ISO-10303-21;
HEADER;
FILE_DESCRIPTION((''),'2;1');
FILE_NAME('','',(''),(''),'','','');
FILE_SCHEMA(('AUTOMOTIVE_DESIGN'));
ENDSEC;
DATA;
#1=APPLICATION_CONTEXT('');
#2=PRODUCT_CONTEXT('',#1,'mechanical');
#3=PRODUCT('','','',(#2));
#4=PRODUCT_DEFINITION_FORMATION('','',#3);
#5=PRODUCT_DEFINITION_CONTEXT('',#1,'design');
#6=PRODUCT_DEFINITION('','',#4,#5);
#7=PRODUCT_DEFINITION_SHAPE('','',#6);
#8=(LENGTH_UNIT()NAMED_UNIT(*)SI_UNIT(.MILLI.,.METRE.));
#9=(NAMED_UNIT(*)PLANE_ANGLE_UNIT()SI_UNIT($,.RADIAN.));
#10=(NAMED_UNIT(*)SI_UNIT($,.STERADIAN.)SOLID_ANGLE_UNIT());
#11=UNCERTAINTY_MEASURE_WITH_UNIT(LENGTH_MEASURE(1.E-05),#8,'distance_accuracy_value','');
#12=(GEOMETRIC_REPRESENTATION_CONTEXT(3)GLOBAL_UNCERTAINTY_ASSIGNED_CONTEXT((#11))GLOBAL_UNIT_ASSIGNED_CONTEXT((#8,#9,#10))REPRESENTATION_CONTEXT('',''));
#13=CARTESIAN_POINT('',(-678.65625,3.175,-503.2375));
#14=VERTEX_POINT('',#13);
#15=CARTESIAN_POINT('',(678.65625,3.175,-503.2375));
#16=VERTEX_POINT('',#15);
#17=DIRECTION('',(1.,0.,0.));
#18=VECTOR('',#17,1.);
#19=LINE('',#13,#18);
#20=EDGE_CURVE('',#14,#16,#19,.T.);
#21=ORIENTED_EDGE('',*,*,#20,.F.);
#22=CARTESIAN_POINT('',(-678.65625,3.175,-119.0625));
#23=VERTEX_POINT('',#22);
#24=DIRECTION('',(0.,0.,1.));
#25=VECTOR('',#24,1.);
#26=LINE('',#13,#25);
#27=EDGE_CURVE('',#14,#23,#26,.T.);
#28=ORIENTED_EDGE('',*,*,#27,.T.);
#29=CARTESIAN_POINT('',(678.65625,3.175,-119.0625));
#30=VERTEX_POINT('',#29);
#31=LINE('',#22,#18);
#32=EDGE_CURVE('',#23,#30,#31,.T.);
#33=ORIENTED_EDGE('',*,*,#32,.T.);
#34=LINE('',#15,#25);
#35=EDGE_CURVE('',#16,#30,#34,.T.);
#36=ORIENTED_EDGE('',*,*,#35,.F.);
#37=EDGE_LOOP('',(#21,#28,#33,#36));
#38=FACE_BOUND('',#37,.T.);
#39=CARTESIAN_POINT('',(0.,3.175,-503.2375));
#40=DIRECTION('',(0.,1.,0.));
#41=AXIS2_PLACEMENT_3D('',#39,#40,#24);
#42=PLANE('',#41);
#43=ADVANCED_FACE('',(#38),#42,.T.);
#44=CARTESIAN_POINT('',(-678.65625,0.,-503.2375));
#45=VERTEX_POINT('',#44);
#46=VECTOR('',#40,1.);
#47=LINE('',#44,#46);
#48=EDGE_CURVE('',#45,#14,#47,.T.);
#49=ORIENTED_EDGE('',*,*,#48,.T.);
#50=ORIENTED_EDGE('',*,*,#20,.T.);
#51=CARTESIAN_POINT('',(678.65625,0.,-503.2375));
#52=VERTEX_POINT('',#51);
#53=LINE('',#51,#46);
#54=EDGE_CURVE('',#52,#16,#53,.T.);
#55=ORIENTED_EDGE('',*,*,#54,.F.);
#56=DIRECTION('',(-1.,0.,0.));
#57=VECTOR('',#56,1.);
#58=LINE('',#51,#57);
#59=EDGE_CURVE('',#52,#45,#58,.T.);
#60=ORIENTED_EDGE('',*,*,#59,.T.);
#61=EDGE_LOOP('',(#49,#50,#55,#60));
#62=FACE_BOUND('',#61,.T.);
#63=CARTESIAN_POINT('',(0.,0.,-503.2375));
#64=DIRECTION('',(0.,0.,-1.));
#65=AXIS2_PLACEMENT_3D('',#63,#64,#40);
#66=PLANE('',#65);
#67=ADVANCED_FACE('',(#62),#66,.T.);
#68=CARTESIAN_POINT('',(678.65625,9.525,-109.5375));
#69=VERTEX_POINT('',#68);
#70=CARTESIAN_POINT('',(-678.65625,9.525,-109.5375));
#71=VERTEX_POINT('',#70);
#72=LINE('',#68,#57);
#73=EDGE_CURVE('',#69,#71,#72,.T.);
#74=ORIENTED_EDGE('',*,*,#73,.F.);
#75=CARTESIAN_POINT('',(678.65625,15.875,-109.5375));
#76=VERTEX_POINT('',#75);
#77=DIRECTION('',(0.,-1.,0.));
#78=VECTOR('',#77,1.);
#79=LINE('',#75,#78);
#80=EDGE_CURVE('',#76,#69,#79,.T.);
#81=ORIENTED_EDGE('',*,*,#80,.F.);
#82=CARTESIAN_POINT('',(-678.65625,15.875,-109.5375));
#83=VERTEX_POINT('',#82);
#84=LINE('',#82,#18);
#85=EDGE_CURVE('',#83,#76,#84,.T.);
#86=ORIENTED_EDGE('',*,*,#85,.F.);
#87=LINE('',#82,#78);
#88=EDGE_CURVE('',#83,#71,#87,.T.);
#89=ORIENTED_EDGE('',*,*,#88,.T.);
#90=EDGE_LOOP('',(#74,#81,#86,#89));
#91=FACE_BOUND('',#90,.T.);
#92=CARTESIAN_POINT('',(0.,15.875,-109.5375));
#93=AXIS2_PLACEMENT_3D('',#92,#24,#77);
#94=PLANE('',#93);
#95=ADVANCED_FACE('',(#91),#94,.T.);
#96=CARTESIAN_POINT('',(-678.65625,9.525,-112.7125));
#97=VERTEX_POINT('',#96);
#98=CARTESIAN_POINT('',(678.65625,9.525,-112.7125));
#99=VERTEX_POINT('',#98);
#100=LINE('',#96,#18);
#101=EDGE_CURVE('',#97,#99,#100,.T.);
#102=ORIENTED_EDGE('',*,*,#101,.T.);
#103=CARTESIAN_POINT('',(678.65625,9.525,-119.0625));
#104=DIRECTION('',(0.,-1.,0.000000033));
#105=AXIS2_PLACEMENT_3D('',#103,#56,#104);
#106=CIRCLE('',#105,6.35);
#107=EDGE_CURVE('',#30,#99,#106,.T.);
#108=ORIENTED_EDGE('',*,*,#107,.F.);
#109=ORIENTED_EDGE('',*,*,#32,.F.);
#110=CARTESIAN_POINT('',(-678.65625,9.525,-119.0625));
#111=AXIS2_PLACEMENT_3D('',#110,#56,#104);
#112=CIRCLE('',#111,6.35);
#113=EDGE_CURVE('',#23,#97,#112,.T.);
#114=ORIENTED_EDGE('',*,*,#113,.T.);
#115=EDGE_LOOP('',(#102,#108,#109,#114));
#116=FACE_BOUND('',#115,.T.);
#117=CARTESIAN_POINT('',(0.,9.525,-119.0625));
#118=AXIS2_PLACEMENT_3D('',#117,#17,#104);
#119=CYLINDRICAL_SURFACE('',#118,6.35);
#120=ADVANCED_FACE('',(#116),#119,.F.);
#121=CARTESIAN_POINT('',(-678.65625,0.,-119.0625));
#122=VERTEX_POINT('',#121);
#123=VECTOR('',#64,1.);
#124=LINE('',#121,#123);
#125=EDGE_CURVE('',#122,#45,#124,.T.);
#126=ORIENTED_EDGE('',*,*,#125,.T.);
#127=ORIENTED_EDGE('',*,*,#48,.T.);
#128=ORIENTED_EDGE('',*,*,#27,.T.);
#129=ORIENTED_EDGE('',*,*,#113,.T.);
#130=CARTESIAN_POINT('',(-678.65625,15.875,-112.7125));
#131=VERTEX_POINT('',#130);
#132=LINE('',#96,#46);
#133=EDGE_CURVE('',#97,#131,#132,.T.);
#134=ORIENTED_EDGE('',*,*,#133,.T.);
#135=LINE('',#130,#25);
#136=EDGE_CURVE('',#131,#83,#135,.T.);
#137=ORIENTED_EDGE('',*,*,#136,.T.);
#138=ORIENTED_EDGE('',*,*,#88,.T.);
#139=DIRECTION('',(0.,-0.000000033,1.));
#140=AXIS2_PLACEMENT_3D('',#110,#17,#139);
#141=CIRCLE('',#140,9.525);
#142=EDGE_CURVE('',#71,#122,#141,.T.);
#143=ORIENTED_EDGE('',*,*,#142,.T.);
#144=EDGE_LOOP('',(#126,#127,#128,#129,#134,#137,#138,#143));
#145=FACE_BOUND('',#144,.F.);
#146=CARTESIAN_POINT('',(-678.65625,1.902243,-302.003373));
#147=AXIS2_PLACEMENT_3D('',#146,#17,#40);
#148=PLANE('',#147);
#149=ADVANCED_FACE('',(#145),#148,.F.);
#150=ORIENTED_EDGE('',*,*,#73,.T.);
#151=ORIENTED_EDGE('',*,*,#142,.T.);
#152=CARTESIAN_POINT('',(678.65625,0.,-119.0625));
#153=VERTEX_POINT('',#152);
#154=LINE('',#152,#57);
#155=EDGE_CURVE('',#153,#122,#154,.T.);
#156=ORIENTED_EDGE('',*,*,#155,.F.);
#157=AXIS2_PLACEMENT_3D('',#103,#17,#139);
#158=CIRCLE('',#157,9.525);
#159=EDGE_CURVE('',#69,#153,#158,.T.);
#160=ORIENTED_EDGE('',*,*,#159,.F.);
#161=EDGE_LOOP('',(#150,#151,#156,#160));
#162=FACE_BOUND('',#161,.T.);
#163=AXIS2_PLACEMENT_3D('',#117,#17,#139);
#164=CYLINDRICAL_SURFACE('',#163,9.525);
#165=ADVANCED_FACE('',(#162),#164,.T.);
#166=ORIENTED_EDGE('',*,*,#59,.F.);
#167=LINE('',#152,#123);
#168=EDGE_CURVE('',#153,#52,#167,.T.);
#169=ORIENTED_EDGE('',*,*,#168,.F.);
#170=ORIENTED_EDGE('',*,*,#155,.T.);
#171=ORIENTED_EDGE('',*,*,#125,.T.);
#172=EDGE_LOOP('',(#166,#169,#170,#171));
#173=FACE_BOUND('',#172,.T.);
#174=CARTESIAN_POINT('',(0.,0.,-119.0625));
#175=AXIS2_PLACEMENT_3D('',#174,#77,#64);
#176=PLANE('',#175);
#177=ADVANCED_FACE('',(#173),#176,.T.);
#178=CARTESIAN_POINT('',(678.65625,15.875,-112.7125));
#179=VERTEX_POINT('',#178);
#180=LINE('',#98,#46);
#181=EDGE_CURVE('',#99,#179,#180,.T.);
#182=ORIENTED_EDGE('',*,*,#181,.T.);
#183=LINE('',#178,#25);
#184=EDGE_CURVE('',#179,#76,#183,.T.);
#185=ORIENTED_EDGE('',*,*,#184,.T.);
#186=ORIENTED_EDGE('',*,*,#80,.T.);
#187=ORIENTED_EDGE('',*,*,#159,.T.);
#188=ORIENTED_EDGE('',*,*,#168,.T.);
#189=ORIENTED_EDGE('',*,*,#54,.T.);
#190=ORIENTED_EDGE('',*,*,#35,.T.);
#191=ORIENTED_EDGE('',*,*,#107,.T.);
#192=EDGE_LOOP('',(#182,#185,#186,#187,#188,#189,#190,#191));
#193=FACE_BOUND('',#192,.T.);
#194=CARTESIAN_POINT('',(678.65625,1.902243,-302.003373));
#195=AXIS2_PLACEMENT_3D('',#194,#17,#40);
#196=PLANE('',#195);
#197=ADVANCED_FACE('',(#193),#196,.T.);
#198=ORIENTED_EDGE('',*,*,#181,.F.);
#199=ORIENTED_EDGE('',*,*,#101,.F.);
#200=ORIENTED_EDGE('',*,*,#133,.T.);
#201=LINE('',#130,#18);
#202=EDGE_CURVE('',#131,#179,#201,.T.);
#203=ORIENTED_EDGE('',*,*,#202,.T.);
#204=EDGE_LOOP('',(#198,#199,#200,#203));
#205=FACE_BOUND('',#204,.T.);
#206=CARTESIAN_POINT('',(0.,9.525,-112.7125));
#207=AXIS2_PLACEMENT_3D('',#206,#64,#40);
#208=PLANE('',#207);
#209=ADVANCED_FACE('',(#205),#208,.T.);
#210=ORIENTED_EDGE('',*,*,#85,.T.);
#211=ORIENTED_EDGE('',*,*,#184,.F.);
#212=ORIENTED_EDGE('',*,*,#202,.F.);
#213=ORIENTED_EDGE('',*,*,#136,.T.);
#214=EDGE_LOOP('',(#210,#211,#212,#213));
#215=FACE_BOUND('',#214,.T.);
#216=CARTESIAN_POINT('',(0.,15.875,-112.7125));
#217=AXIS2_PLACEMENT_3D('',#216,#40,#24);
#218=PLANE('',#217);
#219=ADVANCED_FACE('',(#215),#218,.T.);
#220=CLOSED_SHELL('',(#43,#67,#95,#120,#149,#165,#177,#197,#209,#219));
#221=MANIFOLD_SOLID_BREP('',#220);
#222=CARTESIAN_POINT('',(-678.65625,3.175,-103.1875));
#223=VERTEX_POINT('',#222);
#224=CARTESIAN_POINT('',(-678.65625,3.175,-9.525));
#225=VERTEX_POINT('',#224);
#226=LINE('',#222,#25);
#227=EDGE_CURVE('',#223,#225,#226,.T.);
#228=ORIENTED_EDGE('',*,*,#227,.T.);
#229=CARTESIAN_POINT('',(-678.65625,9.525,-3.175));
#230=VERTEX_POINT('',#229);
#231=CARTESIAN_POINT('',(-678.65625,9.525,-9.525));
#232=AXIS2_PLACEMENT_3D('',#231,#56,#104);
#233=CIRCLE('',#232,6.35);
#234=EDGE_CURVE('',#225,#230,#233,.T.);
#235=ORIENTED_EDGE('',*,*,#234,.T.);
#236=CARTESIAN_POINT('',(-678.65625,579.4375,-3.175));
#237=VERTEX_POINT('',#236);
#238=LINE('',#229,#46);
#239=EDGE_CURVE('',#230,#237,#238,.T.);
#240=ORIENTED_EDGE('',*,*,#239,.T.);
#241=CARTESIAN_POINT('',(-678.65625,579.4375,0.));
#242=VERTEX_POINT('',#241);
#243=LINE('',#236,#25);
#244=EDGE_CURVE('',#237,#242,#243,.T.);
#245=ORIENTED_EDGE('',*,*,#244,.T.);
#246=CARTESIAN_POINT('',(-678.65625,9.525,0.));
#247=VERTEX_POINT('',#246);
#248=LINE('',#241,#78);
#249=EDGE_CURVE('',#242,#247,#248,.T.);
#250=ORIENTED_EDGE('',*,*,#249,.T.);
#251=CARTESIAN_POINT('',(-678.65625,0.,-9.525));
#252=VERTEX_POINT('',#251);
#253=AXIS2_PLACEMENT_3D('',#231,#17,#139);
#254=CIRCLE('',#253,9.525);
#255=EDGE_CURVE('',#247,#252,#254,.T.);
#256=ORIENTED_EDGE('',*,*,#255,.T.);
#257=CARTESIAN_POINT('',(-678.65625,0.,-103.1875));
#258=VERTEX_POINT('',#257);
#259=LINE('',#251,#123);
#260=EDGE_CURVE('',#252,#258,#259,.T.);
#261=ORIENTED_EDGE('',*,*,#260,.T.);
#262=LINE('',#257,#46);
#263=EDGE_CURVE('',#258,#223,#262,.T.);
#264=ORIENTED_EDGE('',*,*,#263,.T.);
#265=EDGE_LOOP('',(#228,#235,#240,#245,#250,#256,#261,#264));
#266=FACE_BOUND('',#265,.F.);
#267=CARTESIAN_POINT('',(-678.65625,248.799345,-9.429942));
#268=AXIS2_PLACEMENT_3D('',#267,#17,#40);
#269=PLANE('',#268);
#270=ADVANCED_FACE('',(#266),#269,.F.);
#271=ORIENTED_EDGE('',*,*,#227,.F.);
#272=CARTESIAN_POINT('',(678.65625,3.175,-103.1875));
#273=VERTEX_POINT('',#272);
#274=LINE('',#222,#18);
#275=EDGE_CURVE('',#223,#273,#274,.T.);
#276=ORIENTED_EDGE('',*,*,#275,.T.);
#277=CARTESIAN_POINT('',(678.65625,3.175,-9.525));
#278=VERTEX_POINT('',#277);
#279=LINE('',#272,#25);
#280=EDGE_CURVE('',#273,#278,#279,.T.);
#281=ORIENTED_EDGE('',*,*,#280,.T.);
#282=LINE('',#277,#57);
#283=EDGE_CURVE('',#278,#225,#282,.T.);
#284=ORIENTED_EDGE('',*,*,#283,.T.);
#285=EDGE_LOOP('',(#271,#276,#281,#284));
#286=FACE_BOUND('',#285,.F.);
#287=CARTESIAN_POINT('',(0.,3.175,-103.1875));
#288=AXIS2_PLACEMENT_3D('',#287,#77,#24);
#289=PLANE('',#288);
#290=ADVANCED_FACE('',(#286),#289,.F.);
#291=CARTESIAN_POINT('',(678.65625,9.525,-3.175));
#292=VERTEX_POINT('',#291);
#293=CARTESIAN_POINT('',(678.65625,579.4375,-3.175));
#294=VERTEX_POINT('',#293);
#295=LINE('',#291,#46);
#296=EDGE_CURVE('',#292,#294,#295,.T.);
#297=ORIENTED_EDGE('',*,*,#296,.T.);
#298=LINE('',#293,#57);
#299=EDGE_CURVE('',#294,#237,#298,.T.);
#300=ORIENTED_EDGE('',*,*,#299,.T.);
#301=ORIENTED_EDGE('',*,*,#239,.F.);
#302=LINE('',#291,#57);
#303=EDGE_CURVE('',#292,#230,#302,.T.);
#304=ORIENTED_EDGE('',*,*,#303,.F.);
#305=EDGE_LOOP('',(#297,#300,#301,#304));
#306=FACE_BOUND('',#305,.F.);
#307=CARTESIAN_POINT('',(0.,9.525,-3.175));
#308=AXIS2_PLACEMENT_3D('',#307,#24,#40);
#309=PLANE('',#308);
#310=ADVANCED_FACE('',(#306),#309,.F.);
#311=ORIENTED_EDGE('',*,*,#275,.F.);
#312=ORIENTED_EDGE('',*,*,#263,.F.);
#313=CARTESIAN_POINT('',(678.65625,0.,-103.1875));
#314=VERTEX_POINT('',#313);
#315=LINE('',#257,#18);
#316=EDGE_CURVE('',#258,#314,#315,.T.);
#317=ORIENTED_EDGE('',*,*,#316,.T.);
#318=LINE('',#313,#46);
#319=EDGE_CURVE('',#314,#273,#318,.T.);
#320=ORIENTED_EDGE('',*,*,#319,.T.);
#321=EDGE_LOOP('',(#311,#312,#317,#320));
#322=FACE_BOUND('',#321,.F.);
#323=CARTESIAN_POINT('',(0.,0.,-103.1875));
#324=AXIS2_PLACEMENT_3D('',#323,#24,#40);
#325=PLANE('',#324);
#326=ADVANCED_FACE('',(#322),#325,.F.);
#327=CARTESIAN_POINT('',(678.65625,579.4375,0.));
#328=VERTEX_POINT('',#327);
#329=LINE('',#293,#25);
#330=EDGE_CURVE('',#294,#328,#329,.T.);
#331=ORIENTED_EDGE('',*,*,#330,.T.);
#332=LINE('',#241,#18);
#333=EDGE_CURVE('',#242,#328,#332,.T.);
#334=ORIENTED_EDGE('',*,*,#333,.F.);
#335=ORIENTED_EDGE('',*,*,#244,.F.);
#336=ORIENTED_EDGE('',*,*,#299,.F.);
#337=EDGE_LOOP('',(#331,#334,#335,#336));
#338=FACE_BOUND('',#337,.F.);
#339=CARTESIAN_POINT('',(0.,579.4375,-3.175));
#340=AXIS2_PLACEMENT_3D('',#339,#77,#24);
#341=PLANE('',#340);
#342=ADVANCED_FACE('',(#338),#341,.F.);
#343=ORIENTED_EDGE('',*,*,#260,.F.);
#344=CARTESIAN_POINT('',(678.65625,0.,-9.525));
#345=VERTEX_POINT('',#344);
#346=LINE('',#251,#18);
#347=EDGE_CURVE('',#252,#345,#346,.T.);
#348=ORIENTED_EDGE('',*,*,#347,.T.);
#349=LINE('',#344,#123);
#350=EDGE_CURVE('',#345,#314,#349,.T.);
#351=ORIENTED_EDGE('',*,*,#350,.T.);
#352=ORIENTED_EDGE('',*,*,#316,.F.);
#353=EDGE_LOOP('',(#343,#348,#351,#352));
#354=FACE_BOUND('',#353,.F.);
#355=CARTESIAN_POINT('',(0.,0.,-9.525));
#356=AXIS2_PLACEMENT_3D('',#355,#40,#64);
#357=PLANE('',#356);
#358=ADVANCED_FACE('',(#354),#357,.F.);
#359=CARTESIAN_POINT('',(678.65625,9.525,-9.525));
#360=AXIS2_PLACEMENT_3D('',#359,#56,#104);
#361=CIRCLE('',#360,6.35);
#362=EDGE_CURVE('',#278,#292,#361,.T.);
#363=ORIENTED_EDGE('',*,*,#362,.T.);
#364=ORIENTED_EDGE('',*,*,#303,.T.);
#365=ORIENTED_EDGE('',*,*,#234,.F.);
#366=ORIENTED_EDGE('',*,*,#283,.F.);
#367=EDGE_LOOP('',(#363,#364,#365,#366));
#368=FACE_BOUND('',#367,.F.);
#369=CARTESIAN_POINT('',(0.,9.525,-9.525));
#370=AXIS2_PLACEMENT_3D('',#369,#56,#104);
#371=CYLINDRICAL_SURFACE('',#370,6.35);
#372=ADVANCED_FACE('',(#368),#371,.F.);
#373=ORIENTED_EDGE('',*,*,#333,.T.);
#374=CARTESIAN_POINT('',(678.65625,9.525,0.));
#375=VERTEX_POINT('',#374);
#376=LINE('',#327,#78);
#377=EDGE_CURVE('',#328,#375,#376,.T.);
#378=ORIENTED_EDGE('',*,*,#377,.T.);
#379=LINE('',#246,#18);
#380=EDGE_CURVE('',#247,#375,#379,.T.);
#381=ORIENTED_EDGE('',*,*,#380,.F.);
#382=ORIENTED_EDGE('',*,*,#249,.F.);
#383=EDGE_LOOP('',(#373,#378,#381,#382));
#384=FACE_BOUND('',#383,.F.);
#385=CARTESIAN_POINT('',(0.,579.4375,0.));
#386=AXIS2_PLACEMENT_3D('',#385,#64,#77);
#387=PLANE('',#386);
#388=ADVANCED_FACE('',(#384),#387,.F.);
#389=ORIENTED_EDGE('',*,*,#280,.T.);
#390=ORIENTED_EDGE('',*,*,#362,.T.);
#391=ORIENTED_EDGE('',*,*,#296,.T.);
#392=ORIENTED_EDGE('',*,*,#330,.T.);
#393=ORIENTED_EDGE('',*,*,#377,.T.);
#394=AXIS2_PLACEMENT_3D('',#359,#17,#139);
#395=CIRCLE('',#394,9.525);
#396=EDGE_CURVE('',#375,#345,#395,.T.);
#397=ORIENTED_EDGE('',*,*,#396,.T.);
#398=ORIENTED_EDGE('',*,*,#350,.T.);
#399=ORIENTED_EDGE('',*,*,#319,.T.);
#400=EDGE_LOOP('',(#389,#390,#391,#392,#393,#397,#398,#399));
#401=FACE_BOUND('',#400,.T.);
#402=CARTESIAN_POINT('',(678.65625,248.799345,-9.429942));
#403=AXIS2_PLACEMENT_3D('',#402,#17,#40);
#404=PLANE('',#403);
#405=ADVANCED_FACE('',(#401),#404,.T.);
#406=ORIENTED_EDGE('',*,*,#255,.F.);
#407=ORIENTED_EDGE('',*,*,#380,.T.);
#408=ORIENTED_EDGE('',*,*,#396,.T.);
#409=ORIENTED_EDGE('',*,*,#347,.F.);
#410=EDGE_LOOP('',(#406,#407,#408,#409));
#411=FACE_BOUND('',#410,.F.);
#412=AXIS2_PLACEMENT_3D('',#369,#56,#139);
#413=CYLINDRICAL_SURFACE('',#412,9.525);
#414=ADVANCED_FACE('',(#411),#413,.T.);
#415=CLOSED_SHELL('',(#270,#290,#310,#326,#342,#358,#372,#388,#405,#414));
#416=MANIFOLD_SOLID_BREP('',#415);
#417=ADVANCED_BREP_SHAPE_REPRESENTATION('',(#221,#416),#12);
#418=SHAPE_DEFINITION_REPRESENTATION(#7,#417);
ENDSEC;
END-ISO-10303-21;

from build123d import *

# Parameters (mm, degrees)
F1_DEPTH = 678.65625


with BuildPart() as f1:
    # F0 (on Right) → F1 (new body, symmetric)
    with BuildSketch(Plane.YZ):
        with BuildLine():
            Line((579.4375, -3.175), (579.4375, 0))
            Line((579.4375, 0), (9.525, 0))
            ThreePointArc((9.525, 0), (2.789808, -2.789808), (0, -9.525))
            Line((0, -9.525), (0, -103.1875))
            Line((0, -103.1875), (3.175, -103.1875))
            Line((3.175, -103.1875), (3.175, -9.525))
            ThreePointArc((3.175, -9.525), (5.034872, -5.034872), (9.525, -3.175))
            Line((9.525, -3.175), (579.4375, -3.175))
        make_face()
        with BuildLine():
            Line((0, -503.2375), (3.175, -503.2375))
            Line((3.175, -503.2375), (3.175, -119.0625))
            ThreePointArc((3.175, -119.0625), (5.034872, -114.572372), (9.525, -112.7125))
            Line((9.525, -112.7125), (15.875, -112.7125))
            Line((15.875, -112.7125), (15.875, -109.5375))
            Line((15.875, -109.5375), (9.525, -109.5375))
            ThreePointArc((9.525, -109.5375), (2.789808, -112.327308), (0, -119.0625))
            Line((0, -119.0625), (0, -503.2375))
        make_face()
    extrude(amount=F1_DEPTH, both=True)


solid = f1.part
